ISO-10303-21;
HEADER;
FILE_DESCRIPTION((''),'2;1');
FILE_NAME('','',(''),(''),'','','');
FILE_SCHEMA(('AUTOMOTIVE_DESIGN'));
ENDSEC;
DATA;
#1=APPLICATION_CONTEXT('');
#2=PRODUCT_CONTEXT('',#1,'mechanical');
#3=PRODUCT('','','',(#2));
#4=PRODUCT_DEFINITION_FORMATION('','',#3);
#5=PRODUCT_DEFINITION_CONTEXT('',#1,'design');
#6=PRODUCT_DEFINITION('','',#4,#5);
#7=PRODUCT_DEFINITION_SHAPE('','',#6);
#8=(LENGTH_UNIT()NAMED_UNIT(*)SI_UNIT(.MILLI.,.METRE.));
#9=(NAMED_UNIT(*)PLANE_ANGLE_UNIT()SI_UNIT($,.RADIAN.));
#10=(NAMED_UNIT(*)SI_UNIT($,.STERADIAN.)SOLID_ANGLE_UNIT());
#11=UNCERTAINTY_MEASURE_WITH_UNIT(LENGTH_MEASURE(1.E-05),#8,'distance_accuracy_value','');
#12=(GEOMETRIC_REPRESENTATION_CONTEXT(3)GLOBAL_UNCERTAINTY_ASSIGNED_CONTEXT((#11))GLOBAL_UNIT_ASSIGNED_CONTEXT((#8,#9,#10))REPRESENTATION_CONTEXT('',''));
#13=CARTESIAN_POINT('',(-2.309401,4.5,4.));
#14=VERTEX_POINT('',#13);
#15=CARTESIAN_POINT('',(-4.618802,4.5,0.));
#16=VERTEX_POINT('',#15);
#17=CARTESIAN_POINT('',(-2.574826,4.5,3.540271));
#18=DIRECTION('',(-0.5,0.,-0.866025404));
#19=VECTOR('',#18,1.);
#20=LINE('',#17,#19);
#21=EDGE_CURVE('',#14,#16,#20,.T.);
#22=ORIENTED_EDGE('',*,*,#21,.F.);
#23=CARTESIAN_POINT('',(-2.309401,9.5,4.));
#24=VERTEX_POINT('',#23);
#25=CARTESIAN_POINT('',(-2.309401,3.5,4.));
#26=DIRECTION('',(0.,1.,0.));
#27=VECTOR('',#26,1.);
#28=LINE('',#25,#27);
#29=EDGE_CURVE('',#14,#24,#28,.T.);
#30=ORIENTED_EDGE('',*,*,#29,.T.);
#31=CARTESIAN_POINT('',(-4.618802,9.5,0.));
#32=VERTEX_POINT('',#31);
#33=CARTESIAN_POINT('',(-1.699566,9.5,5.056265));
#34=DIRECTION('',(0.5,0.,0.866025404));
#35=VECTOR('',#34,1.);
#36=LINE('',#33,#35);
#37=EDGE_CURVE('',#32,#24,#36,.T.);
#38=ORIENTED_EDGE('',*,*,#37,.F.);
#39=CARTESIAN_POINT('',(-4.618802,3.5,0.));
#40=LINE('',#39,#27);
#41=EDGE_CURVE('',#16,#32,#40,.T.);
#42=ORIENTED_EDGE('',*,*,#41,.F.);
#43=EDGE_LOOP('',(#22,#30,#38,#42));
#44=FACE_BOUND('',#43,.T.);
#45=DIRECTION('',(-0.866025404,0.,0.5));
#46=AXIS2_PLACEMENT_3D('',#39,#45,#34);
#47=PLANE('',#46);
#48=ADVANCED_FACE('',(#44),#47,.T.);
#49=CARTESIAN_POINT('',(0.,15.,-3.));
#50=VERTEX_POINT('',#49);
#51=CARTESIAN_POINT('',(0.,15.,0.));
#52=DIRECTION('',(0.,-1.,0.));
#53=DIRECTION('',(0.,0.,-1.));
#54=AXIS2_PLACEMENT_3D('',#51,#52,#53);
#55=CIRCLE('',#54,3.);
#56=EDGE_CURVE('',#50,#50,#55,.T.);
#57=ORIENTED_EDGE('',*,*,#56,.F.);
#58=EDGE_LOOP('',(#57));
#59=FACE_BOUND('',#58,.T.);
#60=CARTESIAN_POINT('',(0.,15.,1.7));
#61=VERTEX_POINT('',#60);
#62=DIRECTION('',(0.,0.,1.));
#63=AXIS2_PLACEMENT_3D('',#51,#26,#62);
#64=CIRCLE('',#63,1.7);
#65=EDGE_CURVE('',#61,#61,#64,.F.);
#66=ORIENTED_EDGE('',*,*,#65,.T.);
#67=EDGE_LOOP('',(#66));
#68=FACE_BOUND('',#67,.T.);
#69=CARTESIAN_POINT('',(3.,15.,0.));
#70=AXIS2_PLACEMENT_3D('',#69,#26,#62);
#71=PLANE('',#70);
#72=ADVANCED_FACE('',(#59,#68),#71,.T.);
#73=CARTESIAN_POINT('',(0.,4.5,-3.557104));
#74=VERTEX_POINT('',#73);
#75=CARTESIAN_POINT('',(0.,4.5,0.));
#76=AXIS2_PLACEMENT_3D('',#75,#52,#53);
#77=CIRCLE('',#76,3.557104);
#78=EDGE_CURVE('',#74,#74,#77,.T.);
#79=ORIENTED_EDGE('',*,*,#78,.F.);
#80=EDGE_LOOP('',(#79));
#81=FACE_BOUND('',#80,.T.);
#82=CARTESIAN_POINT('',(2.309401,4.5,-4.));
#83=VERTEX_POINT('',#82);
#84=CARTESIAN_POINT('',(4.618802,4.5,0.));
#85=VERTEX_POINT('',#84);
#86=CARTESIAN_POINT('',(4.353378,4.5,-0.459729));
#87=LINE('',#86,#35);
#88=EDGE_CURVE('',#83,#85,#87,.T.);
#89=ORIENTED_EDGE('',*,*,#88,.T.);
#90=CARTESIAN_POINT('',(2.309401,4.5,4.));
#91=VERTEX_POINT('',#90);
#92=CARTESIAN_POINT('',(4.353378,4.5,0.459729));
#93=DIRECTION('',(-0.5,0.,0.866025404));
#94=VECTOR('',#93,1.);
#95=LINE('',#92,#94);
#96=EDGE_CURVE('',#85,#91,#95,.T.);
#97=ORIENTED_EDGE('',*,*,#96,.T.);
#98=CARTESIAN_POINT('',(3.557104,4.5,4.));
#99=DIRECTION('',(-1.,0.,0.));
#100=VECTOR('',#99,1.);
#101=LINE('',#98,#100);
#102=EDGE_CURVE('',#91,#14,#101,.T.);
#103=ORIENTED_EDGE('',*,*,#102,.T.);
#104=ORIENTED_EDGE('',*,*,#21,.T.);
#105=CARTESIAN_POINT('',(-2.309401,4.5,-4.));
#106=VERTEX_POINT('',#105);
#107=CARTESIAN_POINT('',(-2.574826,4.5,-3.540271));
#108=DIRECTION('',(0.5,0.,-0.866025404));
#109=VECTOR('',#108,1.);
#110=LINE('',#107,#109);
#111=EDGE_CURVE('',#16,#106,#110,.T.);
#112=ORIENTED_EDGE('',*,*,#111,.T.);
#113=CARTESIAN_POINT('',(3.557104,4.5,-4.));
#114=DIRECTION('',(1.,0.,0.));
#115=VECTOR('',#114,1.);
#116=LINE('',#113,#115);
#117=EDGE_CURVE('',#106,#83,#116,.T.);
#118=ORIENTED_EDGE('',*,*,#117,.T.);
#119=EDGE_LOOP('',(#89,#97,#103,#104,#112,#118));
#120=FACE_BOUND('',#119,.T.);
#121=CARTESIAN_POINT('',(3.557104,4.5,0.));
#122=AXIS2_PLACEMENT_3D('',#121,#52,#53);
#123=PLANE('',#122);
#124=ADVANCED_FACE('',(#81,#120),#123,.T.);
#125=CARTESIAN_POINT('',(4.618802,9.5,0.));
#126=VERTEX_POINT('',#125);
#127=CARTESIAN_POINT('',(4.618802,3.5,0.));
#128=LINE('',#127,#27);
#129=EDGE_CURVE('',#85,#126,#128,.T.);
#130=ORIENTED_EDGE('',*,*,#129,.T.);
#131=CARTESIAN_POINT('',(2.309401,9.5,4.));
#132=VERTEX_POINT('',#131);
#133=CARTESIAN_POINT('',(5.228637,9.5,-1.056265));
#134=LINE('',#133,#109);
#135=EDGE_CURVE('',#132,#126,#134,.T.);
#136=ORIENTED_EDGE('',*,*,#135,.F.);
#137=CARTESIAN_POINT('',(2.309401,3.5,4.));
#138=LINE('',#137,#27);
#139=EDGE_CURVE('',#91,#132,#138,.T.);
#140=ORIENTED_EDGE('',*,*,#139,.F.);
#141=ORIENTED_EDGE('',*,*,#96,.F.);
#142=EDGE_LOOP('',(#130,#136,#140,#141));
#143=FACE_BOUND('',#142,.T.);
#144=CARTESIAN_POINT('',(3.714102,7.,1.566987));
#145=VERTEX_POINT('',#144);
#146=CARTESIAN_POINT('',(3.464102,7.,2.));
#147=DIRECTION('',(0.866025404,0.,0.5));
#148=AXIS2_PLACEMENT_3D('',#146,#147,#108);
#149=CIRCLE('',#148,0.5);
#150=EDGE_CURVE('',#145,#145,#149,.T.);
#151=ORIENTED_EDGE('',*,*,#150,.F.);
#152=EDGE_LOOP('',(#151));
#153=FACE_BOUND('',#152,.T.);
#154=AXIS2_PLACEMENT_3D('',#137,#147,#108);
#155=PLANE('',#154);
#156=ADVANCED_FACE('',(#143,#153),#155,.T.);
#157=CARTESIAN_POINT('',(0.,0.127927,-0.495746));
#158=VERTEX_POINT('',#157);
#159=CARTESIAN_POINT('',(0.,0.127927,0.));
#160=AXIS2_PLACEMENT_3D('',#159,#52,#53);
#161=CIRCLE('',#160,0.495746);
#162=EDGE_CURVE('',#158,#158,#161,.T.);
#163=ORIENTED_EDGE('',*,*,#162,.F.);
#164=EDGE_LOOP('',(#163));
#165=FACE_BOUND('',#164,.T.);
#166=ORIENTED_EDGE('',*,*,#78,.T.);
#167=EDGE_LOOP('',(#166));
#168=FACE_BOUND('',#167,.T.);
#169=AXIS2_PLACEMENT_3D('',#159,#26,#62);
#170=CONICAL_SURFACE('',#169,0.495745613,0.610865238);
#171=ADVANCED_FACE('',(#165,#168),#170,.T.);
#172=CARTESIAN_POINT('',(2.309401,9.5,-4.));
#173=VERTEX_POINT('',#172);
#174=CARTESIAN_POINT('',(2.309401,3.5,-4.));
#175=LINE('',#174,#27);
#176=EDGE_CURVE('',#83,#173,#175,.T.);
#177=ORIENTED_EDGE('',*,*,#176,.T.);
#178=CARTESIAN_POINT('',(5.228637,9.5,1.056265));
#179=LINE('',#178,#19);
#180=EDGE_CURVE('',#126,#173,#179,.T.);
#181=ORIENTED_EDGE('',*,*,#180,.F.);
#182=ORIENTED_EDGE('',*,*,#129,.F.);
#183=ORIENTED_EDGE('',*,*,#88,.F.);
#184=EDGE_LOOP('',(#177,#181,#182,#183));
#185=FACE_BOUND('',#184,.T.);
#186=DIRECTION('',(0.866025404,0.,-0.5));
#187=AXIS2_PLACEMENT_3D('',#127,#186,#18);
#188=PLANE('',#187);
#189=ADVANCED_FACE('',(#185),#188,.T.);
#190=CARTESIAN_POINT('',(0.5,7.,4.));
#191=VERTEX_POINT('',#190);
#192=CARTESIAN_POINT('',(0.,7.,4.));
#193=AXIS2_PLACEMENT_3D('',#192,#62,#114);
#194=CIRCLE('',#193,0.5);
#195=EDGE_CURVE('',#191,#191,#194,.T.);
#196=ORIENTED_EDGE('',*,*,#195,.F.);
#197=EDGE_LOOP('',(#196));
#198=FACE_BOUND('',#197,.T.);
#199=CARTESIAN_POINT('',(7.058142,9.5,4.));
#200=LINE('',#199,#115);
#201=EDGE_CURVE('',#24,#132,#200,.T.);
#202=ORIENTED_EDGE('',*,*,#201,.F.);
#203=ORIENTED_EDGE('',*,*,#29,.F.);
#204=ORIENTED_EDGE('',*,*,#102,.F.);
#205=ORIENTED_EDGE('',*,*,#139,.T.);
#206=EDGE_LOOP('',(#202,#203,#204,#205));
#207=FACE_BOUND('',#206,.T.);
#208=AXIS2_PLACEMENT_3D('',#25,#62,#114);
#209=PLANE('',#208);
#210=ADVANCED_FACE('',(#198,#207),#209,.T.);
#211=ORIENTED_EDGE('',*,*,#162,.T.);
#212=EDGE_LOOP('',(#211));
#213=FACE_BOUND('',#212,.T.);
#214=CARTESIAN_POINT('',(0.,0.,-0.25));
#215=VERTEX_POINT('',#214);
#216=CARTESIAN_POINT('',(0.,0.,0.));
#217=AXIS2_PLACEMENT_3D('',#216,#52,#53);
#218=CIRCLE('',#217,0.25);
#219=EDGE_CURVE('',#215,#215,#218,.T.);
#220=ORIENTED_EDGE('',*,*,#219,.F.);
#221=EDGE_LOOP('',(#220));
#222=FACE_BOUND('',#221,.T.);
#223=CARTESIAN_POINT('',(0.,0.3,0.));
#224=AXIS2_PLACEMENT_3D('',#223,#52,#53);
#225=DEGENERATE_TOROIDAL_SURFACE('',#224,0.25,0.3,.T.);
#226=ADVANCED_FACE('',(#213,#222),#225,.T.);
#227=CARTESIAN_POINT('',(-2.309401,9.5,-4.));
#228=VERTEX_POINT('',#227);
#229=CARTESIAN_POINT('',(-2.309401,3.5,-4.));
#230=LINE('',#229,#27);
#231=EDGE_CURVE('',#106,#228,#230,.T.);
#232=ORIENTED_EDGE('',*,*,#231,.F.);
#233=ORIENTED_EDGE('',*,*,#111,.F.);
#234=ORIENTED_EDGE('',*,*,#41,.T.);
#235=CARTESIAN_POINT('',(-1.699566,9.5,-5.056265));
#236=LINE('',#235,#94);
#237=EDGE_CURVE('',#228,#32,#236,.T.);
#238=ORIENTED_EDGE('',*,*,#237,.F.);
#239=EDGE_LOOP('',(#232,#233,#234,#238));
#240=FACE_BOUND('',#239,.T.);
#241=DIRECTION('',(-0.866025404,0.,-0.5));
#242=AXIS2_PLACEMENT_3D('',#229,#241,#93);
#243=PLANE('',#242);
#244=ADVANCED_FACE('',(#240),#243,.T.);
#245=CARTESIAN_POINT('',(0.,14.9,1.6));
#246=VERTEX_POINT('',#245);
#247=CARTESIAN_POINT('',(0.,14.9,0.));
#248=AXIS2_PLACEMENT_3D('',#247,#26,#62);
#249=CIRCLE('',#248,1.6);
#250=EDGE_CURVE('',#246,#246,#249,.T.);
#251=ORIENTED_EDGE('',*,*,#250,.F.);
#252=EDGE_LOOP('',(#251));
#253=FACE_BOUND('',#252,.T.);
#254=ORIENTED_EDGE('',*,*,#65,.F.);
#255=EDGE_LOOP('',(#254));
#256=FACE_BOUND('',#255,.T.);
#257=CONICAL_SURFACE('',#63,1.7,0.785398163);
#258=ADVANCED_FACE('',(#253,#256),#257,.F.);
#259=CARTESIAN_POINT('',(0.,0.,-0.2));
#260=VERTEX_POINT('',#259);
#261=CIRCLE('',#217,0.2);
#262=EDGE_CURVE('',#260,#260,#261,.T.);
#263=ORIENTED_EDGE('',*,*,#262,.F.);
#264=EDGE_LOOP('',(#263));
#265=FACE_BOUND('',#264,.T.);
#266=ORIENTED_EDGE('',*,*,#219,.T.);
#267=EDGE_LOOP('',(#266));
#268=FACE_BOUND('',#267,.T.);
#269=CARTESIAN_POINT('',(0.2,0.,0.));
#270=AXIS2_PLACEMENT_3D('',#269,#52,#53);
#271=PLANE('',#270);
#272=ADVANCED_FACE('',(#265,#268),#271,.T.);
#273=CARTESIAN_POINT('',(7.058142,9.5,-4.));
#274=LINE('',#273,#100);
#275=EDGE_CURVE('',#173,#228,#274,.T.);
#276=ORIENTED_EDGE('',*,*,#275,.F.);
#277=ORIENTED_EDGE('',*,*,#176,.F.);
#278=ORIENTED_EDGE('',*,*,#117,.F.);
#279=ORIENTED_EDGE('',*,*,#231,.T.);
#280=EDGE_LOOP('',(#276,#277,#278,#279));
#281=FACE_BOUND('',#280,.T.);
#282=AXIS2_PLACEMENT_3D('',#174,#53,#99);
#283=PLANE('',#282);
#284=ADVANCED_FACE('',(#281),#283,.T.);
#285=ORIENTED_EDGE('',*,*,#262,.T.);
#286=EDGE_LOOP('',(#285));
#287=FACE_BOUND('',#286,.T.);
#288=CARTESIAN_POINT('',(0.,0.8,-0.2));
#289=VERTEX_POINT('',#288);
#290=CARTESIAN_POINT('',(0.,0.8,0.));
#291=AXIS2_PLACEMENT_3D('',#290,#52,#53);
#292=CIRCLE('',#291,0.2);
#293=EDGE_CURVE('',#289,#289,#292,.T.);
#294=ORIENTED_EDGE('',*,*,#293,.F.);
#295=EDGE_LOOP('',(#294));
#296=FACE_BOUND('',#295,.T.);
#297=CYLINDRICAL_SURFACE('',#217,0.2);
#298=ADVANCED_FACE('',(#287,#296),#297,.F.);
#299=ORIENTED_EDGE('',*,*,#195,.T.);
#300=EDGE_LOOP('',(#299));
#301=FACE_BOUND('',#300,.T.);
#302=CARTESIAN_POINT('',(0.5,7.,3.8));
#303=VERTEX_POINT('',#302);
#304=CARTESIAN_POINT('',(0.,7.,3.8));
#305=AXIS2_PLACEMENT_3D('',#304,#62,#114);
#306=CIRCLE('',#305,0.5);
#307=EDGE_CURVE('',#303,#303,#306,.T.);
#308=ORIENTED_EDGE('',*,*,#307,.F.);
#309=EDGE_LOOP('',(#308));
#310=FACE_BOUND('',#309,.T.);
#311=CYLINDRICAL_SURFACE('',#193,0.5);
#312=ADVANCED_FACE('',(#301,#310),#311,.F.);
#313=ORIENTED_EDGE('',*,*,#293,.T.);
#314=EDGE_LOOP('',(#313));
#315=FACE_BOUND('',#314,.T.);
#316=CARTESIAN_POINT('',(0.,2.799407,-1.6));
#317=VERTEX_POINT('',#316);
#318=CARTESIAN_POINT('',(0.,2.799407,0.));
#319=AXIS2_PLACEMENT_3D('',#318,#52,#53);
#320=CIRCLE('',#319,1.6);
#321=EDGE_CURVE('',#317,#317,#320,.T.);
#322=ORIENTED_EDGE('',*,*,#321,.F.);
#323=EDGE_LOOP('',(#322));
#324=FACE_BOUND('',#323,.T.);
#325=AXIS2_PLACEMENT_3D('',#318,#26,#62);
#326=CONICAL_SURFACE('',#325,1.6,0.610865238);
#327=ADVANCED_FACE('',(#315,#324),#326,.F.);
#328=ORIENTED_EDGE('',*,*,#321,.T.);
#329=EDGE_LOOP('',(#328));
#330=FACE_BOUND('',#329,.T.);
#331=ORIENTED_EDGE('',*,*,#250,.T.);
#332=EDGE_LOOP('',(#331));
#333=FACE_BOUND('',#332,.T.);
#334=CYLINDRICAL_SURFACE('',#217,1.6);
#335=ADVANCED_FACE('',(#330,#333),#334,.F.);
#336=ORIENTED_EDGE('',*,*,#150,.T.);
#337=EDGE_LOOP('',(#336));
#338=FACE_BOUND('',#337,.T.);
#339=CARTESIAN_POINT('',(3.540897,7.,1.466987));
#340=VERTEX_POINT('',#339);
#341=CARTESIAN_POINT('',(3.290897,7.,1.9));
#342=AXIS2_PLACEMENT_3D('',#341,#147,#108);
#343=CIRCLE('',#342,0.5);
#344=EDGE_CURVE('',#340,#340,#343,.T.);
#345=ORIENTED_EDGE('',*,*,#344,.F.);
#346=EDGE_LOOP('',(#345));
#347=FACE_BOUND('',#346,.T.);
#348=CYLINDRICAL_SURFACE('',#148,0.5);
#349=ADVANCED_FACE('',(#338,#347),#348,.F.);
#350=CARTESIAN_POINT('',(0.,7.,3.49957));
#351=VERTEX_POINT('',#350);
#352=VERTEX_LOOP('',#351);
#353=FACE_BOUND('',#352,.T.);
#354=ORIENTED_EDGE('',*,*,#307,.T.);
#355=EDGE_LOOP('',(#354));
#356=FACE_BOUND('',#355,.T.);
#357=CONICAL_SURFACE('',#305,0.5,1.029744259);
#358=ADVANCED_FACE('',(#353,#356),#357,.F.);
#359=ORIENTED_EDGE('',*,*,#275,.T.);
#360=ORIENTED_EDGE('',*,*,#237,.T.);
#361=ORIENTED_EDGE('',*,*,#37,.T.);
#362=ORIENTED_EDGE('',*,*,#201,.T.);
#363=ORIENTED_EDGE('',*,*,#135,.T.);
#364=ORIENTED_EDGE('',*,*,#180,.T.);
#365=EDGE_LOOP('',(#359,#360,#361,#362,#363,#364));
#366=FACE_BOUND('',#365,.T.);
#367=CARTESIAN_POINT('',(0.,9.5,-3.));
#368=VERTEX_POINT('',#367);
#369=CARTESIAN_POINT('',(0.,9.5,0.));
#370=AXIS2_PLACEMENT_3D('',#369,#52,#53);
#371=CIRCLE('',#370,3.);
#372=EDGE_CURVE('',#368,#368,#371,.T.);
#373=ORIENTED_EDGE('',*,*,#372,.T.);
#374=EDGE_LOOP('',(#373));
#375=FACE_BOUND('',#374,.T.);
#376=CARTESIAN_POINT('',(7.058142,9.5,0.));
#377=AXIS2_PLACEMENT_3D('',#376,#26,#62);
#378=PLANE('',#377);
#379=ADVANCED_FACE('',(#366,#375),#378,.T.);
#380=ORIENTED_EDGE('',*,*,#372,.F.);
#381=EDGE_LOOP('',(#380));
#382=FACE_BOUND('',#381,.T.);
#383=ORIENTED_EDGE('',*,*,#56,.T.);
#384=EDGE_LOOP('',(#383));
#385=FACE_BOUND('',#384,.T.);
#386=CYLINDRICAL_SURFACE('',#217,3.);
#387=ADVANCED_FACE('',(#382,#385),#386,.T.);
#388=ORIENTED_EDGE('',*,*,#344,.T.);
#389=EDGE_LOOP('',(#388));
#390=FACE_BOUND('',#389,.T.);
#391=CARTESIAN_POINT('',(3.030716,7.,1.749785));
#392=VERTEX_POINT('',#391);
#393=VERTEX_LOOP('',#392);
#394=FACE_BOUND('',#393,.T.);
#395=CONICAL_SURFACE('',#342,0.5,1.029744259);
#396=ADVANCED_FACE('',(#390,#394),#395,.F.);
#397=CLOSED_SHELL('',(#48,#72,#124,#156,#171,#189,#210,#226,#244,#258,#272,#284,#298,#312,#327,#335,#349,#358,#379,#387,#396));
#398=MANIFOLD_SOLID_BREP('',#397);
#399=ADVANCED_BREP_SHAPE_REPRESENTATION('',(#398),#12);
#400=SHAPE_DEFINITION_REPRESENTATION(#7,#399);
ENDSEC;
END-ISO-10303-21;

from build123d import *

# Parameters (mm, degrees)
CORTAR_EXTRUIR1_START                       = 1
CROQUIS2_R                                  = 7.058141728
CORTAR_EXTRUIR1_DEPTH                       = 7
CHAFL_N1_SIZE                               = 0.1
DI_METRO_DE_TALADRO_1_0_1_1_D               = 1
DI_METRO_DE_TALADRO_1_0_1_1_DEPTH           = 0.2
DI_METRO_DE_TALADRO_1_0_1_1_TIP             = 0.30043031
DI_METRO_DE_TALADRO_1_0_1_1_ON_FACE_2_D     = 1
DI_METRO_DE_TALADRO_1_0_1_1_ON_FACE_2_DEPTH = 0.2
DI_METRO_DE_TALADRO_1_0_1_1_ON_FACE_2_TIP   = 0.30043031


with BuildPart() as part:
    # Croquis1 → Revolución1 (revolve)
    with BuildSketch(Plane.XY):
        with BuildLine():
            Line((0.2, 0), (0.25, 0))
            ThreePointArc((0.25, 0), (0.388524584, 0.03389675), (0.495745613, 0.127927069))
            Line((0.495745613, 0.127927069), (3.557104037, 4.5))
            Line((3.557104037, 4.5), (5.706019053, 4.5))
            Line((5.706019053, 4.5), (5.706019053, 7.568968696))
            Line((5.706019053, 7.568968696), (7.058141728, 9.5))
            Line((7.058141728, 9.5), (3, 9.5))
            Line((3, 9.5), (3, 15))
            Line((3, 15), (1.6, 15))
            Line((1.6, 15), (1.6, 2.799407209))
            Line((1.6, 2.799407209), (0.2, 0.8))
            Line((0.2, 0.8), (0.2, 0))
        make_face()
    revolve(axis=Axis((0, 0, 0), (0, 1, 0)))

    # Croquis2 → Cortar-Extruir1 (cut)
    with BuildSketch(Plane(origin=(0, 9.5, 0), x_dir=(1, 0, 0), z_dir=(0, 1, 0)).offset(CORTAR_EXTRUIR1_START)):
        Circle(CROQUIS2_R)
        Polygon((2.309401077, 4), (-2.309401077, 4), (-4.618802154, 0), (-2.309401077, -4), (2.309401077, -4), (4.618802154, 0), align=None, mode=Mode.SUBTRACT)
    extrude(amount=-CORTAR_EXTRUIR1_DEPTH, mode=Mode.SUBTRACT)

    # Chaflán1
    chafl_n1_edges = [part.edges().sort_by_distance(p)[0] for p in [
        (-1.6, 15, 0),
    ]]
    chamfer(chafl_n1_edges, length=CHAFL_N1_SIZE)

    # Diámetro de taladro Ø1.0 (1)1
    with Locations(Plane(origin=(3.464101615, 7, 2), x_dir=(-0.5, 0, 0.866025404), z_dir=(0.866025404, 0, 0.5))):
        with Locations((0, 0)):
            Hole(DI_METRO_DE_TALADRO_1_0_1_1_D / 2, depth=DI_METRO_DE_TALADRO_1_0_1_1_DEPTH)
            with Locations((0, 0, -(DI_METRO_DE_TALADRO_1_0_1_1_DEPTH + DI_METRO_DE_TALADRO_1_0_1_1_TIP / 2))):  # 118° drill point
                Cone(0, DI_METRO_DE_TALADRO_1_0_1_1_D / 2, DI_METRO_DE_TALADRO_1_0_1_1_TIP, mode=Mode.SUBTRACT)

    # Diámetro de taladro Ø1.0 (1)1 on face 2
    with Locations(Plane(origin=(0, 7, 4), x_dir=(1, 0, 0), z_dir=(0, 0, 1))):
        with Locations((0, 0)):
            Hole(DI_METRO_DE_TALADRO_1_0_1_1_ON_FACE_2_D / 2, depth=DI_METRO_DE_TALADRO_1_0_1_1_ON_FACE_2_DEPTH)
            with Locations((0, 0, -(DI_METRO_DE_TALADRO_1_0_1_1_ON_FACE_2_DEPTH + DI_METRO_DE_TALADRO_1_0_1_1_ON_FACE_2_TIP / 2))):  # 118° drill point
                Cone(0, DI_METRO_DE_TALADRO_1_0_1_1_ON_FACE_2_D / 2, DI_METRO_DE_TALADRO_1_0_1_1_ON_FACE_2_TIP, mode=Mode.SUBTRACT)


solid = part.part
